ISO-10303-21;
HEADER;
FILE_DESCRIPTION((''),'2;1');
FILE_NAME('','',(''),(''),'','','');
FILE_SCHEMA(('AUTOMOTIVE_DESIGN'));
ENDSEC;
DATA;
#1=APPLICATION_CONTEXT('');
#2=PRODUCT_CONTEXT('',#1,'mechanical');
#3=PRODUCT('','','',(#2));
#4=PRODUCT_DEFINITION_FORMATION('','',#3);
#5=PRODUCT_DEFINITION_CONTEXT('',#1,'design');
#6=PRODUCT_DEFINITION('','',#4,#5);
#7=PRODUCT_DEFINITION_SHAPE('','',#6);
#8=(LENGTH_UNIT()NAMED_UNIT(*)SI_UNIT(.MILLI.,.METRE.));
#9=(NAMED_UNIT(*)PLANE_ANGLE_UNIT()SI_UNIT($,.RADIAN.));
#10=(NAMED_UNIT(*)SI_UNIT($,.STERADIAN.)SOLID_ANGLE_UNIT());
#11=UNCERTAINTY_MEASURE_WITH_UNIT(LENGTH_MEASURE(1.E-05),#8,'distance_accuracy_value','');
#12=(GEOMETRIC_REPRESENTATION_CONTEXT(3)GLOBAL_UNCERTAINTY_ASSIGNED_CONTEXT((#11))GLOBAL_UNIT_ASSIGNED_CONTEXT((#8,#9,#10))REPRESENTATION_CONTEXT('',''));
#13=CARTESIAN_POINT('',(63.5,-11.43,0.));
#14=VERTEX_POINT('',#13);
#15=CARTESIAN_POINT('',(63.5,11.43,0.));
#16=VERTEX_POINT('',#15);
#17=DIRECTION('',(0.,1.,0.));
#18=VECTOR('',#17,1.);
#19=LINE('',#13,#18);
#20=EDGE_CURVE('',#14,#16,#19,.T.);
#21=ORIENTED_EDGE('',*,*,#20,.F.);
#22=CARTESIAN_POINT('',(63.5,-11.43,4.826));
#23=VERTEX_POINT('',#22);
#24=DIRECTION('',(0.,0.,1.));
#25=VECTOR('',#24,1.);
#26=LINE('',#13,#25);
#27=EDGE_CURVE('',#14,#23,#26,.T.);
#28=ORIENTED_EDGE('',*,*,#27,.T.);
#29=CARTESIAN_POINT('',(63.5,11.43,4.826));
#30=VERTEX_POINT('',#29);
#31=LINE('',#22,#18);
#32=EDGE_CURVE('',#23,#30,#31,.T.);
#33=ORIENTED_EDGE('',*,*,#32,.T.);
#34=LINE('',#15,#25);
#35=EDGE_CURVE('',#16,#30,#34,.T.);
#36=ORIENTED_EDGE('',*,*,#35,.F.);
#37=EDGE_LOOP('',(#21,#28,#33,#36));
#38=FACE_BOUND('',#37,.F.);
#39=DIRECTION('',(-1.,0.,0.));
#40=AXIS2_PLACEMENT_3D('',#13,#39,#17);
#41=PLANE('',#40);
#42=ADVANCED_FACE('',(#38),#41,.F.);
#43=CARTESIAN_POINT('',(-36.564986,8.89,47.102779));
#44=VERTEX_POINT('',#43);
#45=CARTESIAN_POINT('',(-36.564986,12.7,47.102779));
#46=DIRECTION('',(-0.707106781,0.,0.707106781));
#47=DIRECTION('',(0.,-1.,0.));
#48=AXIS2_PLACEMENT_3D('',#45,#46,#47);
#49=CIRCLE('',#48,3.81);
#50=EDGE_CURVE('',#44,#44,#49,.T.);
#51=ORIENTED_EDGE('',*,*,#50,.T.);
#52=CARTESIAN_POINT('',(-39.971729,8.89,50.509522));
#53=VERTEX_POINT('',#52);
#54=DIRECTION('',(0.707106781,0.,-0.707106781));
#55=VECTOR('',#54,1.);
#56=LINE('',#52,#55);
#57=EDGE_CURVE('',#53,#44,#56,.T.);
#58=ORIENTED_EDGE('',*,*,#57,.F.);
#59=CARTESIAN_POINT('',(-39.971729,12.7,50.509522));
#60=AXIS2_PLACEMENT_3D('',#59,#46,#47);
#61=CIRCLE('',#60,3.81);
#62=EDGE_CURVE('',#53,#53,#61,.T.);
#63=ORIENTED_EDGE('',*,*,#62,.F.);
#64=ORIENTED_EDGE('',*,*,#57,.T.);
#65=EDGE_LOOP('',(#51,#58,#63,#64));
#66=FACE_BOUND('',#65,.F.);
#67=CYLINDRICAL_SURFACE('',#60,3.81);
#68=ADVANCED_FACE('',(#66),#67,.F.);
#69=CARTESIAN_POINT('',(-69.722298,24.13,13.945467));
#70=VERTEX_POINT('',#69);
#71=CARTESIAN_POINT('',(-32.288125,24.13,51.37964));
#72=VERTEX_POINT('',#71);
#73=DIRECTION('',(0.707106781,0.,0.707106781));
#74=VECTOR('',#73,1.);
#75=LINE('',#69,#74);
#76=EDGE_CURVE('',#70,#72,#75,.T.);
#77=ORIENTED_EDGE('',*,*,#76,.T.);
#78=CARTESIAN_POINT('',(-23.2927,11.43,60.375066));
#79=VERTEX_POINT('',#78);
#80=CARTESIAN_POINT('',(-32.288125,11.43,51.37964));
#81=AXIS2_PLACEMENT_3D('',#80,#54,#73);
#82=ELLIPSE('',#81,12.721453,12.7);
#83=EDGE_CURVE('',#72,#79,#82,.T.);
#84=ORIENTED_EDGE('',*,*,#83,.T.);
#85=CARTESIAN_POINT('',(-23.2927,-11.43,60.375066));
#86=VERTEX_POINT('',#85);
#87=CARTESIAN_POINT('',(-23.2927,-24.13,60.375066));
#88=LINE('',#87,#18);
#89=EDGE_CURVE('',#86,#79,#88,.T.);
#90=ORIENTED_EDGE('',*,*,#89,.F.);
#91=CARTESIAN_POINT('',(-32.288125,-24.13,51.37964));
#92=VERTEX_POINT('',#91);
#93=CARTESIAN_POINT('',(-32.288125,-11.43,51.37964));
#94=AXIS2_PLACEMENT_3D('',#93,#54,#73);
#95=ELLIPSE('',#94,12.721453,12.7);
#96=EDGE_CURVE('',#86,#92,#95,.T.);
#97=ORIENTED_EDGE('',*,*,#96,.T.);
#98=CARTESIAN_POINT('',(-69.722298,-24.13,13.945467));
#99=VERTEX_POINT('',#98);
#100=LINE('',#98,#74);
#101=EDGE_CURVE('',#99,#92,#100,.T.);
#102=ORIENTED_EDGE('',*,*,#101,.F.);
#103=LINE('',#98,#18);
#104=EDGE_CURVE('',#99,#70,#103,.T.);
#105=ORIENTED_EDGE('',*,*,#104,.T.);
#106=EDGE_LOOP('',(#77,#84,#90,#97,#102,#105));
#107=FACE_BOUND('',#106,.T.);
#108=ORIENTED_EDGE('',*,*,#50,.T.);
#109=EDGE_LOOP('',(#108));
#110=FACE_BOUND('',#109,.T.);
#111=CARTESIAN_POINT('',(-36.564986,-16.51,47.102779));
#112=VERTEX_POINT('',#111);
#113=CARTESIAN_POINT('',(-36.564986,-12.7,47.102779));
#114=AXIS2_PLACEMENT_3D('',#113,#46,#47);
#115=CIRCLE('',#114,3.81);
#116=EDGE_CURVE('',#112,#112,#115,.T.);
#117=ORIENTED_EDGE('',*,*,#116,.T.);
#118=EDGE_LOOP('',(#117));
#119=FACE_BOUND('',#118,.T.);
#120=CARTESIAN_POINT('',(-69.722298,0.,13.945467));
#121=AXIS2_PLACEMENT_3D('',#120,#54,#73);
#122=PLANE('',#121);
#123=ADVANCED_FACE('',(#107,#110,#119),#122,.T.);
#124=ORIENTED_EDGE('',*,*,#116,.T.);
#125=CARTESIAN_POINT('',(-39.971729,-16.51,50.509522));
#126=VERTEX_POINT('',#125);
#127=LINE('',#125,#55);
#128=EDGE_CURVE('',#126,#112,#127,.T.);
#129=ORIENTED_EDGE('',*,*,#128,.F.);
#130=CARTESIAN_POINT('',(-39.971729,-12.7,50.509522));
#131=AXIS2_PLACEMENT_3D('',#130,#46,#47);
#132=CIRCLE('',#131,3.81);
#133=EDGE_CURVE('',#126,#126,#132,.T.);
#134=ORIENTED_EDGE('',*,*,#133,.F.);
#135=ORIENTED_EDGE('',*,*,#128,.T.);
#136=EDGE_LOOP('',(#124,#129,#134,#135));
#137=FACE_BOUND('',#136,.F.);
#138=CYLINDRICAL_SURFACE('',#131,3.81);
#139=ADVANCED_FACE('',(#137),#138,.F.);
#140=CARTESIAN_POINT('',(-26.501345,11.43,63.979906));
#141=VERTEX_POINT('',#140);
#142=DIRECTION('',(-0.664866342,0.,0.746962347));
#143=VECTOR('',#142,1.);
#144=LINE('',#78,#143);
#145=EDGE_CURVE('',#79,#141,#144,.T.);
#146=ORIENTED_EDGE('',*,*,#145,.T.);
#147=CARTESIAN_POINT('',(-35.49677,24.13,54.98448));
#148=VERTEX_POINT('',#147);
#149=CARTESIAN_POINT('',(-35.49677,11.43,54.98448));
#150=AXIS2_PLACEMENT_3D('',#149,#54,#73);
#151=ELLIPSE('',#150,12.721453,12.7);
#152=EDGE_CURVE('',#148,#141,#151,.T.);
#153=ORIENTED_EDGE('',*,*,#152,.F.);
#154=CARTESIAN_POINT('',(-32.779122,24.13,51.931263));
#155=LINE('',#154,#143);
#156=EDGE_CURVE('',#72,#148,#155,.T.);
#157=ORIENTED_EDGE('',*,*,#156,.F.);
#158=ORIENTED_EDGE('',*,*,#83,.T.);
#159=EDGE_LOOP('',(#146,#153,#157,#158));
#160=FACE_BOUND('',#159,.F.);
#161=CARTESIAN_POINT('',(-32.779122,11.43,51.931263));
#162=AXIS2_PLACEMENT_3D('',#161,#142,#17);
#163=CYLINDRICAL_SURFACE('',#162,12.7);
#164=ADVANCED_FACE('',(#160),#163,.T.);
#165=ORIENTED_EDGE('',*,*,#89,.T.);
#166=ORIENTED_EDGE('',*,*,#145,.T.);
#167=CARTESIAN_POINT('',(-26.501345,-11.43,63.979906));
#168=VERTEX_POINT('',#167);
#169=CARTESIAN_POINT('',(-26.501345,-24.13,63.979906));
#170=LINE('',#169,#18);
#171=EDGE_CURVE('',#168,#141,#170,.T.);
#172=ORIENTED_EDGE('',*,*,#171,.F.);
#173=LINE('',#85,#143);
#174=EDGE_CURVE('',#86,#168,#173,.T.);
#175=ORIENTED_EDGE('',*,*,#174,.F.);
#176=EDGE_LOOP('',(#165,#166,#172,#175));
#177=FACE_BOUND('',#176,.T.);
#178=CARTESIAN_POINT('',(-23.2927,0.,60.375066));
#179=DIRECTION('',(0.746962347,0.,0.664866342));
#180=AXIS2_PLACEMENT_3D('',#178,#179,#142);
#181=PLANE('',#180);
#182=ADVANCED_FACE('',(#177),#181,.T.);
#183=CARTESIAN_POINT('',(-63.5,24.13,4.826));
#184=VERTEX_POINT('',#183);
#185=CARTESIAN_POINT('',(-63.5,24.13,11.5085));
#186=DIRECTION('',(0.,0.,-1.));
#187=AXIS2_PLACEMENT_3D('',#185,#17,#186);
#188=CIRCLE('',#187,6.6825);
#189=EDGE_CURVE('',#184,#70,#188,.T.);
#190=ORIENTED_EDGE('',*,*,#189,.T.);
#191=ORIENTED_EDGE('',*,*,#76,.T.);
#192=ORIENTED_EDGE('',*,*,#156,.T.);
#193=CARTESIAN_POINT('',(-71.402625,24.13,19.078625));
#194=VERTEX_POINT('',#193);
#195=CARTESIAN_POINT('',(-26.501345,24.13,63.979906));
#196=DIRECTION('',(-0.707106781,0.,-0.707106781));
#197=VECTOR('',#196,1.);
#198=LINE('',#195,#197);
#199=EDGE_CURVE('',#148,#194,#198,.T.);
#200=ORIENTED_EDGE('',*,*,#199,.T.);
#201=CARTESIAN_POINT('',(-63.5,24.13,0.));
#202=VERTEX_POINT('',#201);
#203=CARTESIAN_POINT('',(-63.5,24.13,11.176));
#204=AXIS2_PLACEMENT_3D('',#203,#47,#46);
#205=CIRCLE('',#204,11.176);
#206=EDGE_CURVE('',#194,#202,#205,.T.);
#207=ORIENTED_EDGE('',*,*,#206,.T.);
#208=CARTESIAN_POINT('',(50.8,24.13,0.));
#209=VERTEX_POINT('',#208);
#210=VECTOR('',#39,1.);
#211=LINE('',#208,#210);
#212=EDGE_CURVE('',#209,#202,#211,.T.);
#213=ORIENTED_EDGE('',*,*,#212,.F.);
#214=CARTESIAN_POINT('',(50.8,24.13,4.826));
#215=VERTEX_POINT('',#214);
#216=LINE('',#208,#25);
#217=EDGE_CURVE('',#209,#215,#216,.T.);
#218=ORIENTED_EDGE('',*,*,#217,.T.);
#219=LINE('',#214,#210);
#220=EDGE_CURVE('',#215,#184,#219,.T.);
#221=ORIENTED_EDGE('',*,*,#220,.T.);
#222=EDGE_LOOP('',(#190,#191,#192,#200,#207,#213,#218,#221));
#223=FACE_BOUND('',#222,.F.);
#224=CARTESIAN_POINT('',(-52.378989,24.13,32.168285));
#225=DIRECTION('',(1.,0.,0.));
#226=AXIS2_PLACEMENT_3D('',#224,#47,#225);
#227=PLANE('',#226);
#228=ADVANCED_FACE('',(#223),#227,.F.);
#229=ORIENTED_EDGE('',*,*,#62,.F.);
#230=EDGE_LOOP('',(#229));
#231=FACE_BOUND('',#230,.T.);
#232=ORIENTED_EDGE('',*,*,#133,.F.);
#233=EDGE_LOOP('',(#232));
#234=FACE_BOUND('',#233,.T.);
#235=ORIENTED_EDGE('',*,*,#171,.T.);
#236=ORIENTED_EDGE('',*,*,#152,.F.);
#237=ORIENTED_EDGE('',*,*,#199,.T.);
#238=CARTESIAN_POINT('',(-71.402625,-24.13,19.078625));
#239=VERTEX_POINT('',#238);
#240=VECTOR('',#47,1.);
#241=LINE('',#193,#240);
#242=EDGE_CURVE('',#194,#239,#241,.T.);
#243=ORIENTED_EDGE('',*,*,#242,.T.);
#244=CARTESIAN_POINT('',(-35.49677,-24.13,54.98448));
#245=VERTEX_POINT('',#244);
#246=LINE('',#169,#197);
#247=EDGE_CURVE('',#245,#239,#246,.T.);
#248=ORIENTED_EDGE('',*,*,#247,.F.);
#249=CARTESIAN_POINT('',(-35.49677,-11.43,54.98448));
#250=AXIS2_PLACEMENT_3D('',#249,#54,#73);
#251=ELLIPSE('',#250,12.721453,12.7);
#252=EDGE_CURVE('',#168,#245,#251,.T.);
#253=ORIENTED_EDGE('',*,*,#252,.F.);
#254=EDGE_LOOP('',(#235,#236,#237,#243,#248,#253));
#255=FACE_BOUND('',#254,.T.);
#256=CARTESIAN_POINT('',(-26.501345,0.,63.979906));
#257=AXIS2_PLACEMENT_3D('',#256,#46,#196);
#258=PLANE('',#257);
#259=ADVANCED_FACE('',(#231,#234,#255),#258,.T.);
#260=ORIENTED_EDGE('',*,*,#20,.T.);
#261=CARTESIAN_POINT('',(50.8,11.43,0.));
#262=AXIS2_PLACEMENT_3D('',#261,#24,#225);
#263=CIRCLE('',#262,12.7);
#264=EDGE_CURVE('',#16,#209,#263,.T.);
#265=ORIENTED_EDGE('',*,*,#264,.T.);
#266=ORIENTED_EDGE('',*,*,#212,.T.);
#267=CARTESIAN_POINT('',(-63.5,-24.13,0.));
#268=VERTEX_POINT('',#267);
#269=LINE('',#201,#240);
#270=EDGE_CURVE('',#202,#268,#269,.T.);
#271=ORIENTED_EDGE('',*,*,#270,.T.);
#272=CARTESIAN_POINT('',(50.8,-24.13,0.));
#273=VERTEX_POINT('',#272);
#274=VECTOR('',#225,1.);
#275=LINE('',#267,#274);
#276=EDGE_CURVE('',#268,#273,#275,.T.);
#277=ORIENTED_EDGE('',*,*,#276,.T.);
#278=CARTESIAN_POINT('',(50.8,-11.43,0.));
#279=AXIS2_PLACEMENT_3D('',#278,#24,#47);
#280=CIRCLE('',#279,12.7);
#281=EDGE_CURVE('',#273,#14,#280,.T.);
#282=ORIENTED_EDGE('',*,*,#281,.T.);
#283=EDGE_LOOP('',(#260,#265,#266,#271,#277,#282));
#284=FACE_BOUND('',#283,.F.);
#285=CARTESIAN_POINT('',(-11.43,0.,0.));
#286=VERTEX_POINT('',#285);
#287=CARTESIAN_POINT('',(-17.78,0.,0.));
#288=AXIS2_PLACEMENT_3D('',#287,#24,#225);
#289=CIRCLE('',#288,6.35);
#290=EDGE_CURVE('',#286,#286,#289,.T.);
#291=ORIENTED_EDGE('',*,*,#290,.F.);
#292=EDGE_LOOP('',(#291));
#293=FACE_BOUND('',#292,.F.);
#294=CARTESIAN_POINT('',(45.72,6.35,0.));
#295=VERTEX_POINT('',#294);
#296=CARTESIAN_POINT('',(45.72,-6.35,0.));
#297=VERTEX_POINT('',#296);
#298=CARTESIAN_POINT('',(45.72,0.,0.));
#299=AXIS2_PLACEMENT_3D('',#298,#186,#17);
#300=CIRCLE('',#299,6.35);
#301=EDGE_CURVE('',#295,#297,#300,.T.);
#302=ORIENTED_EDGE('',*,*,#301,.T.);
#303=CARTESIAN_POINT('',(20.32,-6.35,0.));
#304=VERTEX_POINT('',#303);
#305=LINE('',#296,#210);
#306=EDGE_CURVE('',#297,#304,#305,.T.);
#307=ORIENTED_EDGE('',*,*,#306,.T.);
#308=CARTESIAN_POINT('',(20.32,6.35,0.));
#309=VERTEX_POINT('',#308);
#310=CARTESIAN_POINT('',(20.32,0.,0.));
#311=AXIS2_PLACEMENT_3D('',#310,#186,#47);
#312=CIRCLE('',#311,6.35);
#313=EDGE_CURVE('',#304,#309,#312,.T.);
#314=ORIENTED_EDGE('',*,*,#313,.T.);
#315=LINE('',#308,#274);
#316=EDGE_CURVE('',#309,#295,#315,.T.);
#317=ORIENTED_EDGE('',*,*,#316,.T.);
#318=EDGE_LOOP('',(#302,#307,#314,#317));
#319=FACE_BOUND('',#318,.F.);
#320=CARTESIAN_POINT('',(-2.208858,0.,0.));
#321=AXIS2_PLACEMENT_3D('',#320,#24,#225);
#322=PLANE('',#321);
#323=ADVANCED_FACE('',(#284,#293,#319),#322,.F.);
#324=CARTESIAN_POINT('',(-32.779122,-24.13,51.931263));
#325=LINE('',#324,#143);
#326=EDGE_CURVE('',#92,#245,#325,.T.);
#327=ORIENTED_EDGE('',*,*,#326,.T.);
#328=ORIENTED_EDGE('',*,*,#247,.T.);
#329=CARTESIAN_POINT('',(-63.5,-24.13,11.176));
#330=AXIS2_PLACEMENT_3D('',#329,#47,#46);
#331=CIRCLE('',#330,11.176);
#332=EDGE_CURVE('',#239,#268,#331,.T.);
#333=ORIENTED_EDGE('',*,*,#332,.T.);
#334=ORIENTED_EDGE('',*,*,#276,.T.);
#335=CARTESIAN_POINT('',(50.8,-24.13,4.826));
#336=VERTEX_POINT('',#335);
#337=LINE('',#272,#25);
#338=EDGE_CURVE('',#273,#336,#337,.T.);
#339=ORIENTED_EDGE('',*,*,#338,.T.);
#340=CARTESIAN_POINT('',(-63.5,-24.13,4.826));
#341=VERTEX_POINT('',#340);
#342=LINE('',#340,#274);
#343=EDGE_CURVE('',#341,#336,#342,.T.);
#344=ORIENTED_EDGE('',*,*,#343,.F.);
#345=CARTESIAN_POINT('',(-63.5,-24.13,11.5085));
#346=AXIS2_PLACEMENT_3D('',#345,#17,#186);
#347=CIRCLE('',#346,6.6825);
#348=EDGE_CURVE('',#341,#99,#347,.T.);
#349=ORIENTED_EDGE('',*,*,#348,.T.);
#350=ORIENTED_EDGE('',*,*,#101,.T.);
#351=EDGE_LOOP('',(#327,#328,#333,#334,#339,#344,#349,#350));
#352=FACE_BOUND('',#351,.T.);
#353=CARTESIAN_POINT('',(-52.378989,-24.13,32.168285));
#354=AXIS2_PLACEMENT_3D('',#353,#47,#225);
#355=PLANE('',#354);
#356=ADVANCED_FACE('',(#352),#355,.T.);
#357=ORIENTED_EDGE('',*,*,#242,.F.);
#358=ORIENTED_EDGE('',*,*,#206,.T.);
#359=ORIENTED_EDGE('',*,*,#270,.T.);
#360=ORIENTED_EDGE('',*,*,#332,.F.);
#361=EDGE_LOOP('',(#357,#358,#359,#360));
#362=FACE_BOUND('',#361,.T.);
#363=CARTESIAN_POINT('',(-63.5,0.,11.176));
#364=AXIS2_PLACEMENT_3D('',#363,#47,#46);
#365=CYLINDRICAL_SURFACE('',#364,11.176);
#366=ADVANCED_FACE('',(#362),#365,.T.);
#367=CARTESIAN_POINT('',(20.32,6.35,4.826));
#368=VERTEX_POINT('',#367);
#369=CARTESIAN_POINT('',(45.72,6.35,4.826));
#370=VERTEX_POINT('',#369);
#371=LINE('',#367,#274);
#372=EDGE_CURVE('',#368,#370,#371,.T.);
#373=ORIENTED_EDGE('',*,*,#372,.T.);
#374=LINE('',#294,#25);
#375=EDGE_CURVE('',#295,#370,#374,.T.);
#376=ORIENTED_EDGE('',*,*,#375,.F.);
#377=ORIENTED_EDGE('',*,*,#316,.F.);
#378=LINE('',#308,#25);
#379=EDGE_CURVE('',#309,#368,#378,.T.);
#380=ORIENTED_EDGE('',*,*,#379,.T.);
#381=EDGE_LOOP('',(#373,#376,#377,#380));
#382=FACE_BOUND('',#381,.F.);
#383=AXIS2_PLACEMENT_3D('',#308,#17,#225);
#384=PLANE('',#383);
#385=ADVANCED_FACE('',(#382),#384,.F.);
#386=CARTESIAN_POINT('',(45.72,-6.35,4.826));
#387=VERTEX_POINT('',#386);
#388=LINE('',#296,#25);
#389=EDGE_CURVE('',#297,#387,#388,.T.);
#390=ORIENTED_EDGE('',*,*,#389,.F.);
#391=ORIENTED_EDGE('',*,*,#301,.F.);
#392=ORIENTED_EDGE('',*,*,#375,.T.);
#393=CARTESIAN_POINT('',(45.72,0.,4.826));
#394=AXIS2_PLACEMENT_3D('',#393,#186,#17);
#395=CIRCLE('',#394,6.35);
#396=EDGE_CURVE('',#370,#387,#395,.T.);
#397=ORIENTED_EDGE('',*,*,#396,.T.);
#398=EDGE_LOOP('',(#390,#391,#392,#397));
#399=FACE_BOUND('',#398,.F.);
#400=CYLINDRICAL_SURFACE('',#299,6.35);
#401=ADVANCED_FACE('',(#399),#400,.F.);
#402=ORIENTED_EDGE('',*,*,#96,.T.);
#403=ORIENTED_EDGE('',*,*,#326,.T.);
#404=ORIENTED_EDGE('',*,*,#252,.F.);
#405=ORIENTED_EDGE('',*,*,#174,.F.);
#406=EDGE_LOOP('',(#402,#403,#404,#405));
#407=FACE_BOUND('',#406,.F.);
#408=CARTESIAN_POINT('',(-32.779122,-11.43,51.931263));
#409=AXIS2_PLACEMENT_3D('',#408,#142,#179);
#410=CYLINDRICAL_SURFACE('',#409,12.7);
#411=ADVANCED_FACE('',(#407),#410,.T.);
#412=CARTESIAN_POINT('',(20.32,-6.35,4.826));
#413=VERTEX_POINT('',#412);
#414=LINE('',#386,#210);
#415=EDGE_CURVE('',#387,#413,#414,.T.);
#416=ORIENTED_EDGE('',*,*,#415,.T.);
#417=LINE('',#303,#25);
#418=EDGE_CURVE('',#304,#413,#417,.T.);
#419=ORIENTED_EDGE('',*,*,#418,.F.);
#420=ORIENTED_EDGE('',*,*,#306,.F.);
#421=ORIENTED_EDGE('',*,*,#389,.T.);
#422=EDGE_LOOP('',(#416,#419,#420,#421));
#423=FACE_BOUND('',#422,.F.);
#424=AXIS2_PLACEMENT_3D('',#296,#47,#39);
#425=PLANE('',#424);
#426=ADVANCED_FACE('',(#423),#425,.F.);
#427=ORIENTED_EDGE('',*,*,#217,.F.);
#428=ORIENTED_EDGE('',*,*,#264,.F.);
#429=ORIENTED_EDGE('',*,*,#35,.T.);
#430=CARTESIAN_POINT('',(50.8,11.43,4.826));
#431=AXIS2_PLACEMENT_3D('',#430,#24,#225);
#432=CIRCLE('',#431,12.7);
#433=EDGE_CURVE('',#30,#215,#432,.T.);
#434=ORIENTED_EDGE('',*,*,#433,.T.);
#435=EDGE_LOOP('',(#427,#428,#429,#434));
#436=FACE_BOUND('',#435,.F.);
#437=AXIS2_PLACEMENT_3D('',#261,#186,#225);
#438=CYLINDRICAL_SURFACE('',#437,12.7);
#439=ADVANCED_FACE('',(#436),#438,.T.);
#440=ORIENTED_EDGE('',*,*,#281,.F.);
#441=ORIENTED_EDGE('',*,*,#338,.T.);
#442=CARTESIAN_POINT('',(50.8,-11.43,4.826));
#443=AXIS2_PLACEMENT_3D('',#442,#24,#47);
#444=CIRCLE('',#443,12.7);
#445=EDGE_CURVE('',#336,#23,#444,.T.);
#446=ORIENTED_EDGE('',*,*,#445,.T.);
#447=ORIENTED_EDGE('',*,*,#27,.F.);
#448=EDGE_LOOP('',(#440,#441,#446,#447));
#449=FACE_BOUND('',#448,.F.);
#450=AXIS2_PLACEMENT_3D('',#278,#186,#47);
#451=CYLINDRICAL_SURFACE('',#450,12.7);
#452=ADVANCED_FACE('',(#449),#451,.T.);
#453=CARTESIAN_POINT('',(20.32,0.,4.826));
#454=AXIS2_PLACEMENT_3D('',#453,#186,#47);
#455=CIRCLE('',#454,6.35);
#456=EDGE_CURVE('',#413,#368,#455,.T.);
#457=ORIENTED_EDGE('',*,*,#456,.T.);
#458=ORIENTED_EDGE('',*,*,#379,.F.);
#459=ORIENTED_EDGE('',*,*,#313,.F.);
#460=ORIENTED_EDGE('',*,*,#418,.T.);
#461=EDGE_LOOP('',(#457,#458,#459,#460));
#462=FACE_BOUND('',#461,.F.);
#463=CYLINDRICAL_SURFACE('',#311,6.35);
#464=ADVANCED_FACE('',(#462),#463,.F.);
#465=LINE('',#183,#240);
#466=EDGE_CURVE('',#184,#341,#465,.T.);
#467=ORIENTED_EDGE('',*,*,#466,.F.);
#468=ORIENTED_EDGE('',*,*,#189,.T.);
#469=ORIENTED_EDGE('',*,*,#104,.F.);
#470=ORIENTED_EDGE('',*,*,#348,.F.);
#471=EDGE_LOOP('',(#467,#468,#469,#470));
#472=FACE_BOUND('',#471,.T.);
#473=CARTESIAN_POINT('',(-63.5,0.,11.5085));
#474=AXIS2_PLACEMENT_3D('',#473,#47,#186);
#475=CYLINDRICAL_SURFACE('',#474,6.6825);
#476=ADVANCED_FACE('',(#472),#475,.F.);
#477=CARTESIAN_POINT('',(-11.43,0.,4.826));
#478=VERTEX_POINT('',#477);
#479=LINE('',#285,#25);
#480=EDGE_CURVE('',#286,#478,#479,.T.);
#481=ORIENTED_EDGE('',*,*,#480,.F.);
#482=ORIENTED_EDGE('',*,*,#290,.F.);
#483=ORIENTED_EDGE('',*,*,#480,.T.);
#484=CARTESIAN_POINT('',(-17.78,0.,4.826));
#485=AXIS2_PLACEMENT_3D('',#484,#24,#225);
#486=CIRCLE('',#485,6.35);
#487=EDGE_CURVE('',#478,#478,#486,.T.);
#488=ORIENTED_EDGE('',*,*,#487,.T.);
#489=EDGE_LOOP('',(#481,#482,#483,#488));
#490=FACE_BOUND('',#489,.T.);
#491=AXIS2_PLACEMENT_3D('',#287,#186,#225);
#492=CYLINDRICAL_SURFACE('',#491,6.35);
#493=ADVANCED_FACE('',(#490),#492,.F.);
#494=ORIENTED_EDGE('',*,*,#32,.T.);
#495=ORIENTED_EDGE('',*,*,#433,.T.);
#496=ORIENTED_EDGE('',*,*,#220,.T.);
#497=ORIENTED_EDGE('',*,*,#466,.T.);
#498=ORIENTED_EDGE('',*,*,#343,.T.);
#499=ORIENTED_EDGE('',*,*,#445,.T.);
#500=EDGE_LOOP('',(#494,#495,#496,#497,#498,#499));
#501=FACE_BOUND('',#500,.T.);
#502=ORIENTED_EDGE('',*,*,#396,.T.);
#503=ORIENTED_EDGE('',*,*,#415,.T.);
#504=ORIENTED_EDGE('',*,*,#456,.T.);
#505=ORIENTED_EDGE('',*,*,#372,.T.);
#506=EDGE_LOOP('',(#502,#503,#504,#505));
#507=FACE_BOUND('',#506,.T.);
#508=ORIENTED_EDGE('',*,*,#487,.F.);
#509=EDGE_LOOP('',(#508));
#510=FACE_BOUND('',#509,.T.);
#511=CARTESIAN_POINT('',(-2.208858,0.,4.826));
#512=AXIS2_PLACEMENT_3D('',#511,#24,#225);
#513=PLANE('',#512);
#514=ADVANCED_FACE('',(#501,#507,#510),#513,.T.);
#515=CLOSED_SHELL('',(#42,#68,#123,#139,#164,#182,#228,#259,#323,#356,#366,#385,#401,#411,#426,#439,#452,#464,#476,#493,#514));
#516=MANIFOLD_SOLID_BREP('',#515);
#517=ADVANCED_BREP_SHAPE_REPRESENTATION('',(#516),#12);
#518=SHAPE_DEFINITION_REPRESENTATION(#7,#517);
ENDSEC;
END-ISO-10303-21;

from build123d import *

# Parameters (mm, degrees)
F0_R     = 6.35
F1_DEPTH = 4.826
F3_DEPTH = 24.13
F4_R     = 12.7
F5_R     = 12.7
F6_R     = 3.81
F7_DEPTH = 25.4


with BuildPart() as f1:
    # F0 (on Top) → F1 (new body)
    with BuildSketch(Plane.XY):
        with BuildLine():
            ThreePointArc((63.5, 11.43), (59.7802561211, 20.4102561211), (50.8, 24.13))
            Line((50.8, 24.13), (-63.5, 24.13))
            Line((-63.5, 24.13), (-63.5, -24.13))
            Line((-63.5, -24.13), (50.8, -24.13))
            ThreePointArc((50.8, -24.13), (59.7802561211, -20.4102561211), (63.5, -11.43))
            Line((63.5, -11.43), (63.5, 11.43))
        make_face()
        with Locations((-17.78, 0)):
            Circle(F0_R, mode=Mode.SUBTRACT)
        with BuildLine():
            Line((20.32, 6.35), (45.72, 6.35))
            ThreePointArc((45.72, 6.35), (52.07, 0), (45.72, -6.35))
            Line((45.72, -6.35), (20.32, -6.35))
            ThreePointArc((20.32, -6.35), (13.97, 0), (20.32, 6.35))
        make_face(mode=Mode.SUBTRACT)
    extrude(amount=F1_DEPTH)

    # F2 (on Front) → F3 (join, symmetric)
    with BuildSketch(Plane.XZ):
        with BuildLine():
            Line((-26.5013447812, 63.9799059919), (-71.4026253865, 19.0786253865))
            ThreePointArc((-71.4026253865, 19.0786253865), (-73.8252776553, 6.8991299599), (-63.5, 0))
            Line((-63.5, 0), (-63.5, 4.826))
            ThreePointArc((-63.5, 4.826), (-69.0200017902, 7.7421508405), (-69.7222982113, 13.9454673105))
            Line((-69.7222982113, 13.9454673105), (-23.2926998145, 60.3750657073))
            Line((-23.2926998145, 60.3750657073), (-26.5013447812, 63.9799059919))
        make_face()
    extrude(amount=F3_DEPTH, both=True)

    # F4
    f4_edges = [f1.edges().sort_by_distance(p)[0] for p in [
        (-24.897022, 24.13, 62.177486),
    ]]
    fillet(f4_edges, radius=F4_R)

    # F5
    f5_edges = [f1.edges().sort_by_distance(p)[0] for p in [
        (-24.897022, -24.13, 62.177486),
    ]]
    fillet(f5_edges, radius=F5_R)

    # F6 (on face) → F7 (cut)
    with BuildSketch(Plane(origin=(-45.2406253865, 0, 45.2406253865), x_dir=(0, -1, 0), z_dir=(-0.7071067812, 0, 0.7071067812))):
        with Locations((-12.7, 7.4513447812)):
            Circle(F6_R)
        with Locations((12.7, 7.4513447812)):
            Circle(F6_R)
    extrude(amount=-F7_DEPTH, mode=Mode.SUBTRACT)


solid = f1.part
